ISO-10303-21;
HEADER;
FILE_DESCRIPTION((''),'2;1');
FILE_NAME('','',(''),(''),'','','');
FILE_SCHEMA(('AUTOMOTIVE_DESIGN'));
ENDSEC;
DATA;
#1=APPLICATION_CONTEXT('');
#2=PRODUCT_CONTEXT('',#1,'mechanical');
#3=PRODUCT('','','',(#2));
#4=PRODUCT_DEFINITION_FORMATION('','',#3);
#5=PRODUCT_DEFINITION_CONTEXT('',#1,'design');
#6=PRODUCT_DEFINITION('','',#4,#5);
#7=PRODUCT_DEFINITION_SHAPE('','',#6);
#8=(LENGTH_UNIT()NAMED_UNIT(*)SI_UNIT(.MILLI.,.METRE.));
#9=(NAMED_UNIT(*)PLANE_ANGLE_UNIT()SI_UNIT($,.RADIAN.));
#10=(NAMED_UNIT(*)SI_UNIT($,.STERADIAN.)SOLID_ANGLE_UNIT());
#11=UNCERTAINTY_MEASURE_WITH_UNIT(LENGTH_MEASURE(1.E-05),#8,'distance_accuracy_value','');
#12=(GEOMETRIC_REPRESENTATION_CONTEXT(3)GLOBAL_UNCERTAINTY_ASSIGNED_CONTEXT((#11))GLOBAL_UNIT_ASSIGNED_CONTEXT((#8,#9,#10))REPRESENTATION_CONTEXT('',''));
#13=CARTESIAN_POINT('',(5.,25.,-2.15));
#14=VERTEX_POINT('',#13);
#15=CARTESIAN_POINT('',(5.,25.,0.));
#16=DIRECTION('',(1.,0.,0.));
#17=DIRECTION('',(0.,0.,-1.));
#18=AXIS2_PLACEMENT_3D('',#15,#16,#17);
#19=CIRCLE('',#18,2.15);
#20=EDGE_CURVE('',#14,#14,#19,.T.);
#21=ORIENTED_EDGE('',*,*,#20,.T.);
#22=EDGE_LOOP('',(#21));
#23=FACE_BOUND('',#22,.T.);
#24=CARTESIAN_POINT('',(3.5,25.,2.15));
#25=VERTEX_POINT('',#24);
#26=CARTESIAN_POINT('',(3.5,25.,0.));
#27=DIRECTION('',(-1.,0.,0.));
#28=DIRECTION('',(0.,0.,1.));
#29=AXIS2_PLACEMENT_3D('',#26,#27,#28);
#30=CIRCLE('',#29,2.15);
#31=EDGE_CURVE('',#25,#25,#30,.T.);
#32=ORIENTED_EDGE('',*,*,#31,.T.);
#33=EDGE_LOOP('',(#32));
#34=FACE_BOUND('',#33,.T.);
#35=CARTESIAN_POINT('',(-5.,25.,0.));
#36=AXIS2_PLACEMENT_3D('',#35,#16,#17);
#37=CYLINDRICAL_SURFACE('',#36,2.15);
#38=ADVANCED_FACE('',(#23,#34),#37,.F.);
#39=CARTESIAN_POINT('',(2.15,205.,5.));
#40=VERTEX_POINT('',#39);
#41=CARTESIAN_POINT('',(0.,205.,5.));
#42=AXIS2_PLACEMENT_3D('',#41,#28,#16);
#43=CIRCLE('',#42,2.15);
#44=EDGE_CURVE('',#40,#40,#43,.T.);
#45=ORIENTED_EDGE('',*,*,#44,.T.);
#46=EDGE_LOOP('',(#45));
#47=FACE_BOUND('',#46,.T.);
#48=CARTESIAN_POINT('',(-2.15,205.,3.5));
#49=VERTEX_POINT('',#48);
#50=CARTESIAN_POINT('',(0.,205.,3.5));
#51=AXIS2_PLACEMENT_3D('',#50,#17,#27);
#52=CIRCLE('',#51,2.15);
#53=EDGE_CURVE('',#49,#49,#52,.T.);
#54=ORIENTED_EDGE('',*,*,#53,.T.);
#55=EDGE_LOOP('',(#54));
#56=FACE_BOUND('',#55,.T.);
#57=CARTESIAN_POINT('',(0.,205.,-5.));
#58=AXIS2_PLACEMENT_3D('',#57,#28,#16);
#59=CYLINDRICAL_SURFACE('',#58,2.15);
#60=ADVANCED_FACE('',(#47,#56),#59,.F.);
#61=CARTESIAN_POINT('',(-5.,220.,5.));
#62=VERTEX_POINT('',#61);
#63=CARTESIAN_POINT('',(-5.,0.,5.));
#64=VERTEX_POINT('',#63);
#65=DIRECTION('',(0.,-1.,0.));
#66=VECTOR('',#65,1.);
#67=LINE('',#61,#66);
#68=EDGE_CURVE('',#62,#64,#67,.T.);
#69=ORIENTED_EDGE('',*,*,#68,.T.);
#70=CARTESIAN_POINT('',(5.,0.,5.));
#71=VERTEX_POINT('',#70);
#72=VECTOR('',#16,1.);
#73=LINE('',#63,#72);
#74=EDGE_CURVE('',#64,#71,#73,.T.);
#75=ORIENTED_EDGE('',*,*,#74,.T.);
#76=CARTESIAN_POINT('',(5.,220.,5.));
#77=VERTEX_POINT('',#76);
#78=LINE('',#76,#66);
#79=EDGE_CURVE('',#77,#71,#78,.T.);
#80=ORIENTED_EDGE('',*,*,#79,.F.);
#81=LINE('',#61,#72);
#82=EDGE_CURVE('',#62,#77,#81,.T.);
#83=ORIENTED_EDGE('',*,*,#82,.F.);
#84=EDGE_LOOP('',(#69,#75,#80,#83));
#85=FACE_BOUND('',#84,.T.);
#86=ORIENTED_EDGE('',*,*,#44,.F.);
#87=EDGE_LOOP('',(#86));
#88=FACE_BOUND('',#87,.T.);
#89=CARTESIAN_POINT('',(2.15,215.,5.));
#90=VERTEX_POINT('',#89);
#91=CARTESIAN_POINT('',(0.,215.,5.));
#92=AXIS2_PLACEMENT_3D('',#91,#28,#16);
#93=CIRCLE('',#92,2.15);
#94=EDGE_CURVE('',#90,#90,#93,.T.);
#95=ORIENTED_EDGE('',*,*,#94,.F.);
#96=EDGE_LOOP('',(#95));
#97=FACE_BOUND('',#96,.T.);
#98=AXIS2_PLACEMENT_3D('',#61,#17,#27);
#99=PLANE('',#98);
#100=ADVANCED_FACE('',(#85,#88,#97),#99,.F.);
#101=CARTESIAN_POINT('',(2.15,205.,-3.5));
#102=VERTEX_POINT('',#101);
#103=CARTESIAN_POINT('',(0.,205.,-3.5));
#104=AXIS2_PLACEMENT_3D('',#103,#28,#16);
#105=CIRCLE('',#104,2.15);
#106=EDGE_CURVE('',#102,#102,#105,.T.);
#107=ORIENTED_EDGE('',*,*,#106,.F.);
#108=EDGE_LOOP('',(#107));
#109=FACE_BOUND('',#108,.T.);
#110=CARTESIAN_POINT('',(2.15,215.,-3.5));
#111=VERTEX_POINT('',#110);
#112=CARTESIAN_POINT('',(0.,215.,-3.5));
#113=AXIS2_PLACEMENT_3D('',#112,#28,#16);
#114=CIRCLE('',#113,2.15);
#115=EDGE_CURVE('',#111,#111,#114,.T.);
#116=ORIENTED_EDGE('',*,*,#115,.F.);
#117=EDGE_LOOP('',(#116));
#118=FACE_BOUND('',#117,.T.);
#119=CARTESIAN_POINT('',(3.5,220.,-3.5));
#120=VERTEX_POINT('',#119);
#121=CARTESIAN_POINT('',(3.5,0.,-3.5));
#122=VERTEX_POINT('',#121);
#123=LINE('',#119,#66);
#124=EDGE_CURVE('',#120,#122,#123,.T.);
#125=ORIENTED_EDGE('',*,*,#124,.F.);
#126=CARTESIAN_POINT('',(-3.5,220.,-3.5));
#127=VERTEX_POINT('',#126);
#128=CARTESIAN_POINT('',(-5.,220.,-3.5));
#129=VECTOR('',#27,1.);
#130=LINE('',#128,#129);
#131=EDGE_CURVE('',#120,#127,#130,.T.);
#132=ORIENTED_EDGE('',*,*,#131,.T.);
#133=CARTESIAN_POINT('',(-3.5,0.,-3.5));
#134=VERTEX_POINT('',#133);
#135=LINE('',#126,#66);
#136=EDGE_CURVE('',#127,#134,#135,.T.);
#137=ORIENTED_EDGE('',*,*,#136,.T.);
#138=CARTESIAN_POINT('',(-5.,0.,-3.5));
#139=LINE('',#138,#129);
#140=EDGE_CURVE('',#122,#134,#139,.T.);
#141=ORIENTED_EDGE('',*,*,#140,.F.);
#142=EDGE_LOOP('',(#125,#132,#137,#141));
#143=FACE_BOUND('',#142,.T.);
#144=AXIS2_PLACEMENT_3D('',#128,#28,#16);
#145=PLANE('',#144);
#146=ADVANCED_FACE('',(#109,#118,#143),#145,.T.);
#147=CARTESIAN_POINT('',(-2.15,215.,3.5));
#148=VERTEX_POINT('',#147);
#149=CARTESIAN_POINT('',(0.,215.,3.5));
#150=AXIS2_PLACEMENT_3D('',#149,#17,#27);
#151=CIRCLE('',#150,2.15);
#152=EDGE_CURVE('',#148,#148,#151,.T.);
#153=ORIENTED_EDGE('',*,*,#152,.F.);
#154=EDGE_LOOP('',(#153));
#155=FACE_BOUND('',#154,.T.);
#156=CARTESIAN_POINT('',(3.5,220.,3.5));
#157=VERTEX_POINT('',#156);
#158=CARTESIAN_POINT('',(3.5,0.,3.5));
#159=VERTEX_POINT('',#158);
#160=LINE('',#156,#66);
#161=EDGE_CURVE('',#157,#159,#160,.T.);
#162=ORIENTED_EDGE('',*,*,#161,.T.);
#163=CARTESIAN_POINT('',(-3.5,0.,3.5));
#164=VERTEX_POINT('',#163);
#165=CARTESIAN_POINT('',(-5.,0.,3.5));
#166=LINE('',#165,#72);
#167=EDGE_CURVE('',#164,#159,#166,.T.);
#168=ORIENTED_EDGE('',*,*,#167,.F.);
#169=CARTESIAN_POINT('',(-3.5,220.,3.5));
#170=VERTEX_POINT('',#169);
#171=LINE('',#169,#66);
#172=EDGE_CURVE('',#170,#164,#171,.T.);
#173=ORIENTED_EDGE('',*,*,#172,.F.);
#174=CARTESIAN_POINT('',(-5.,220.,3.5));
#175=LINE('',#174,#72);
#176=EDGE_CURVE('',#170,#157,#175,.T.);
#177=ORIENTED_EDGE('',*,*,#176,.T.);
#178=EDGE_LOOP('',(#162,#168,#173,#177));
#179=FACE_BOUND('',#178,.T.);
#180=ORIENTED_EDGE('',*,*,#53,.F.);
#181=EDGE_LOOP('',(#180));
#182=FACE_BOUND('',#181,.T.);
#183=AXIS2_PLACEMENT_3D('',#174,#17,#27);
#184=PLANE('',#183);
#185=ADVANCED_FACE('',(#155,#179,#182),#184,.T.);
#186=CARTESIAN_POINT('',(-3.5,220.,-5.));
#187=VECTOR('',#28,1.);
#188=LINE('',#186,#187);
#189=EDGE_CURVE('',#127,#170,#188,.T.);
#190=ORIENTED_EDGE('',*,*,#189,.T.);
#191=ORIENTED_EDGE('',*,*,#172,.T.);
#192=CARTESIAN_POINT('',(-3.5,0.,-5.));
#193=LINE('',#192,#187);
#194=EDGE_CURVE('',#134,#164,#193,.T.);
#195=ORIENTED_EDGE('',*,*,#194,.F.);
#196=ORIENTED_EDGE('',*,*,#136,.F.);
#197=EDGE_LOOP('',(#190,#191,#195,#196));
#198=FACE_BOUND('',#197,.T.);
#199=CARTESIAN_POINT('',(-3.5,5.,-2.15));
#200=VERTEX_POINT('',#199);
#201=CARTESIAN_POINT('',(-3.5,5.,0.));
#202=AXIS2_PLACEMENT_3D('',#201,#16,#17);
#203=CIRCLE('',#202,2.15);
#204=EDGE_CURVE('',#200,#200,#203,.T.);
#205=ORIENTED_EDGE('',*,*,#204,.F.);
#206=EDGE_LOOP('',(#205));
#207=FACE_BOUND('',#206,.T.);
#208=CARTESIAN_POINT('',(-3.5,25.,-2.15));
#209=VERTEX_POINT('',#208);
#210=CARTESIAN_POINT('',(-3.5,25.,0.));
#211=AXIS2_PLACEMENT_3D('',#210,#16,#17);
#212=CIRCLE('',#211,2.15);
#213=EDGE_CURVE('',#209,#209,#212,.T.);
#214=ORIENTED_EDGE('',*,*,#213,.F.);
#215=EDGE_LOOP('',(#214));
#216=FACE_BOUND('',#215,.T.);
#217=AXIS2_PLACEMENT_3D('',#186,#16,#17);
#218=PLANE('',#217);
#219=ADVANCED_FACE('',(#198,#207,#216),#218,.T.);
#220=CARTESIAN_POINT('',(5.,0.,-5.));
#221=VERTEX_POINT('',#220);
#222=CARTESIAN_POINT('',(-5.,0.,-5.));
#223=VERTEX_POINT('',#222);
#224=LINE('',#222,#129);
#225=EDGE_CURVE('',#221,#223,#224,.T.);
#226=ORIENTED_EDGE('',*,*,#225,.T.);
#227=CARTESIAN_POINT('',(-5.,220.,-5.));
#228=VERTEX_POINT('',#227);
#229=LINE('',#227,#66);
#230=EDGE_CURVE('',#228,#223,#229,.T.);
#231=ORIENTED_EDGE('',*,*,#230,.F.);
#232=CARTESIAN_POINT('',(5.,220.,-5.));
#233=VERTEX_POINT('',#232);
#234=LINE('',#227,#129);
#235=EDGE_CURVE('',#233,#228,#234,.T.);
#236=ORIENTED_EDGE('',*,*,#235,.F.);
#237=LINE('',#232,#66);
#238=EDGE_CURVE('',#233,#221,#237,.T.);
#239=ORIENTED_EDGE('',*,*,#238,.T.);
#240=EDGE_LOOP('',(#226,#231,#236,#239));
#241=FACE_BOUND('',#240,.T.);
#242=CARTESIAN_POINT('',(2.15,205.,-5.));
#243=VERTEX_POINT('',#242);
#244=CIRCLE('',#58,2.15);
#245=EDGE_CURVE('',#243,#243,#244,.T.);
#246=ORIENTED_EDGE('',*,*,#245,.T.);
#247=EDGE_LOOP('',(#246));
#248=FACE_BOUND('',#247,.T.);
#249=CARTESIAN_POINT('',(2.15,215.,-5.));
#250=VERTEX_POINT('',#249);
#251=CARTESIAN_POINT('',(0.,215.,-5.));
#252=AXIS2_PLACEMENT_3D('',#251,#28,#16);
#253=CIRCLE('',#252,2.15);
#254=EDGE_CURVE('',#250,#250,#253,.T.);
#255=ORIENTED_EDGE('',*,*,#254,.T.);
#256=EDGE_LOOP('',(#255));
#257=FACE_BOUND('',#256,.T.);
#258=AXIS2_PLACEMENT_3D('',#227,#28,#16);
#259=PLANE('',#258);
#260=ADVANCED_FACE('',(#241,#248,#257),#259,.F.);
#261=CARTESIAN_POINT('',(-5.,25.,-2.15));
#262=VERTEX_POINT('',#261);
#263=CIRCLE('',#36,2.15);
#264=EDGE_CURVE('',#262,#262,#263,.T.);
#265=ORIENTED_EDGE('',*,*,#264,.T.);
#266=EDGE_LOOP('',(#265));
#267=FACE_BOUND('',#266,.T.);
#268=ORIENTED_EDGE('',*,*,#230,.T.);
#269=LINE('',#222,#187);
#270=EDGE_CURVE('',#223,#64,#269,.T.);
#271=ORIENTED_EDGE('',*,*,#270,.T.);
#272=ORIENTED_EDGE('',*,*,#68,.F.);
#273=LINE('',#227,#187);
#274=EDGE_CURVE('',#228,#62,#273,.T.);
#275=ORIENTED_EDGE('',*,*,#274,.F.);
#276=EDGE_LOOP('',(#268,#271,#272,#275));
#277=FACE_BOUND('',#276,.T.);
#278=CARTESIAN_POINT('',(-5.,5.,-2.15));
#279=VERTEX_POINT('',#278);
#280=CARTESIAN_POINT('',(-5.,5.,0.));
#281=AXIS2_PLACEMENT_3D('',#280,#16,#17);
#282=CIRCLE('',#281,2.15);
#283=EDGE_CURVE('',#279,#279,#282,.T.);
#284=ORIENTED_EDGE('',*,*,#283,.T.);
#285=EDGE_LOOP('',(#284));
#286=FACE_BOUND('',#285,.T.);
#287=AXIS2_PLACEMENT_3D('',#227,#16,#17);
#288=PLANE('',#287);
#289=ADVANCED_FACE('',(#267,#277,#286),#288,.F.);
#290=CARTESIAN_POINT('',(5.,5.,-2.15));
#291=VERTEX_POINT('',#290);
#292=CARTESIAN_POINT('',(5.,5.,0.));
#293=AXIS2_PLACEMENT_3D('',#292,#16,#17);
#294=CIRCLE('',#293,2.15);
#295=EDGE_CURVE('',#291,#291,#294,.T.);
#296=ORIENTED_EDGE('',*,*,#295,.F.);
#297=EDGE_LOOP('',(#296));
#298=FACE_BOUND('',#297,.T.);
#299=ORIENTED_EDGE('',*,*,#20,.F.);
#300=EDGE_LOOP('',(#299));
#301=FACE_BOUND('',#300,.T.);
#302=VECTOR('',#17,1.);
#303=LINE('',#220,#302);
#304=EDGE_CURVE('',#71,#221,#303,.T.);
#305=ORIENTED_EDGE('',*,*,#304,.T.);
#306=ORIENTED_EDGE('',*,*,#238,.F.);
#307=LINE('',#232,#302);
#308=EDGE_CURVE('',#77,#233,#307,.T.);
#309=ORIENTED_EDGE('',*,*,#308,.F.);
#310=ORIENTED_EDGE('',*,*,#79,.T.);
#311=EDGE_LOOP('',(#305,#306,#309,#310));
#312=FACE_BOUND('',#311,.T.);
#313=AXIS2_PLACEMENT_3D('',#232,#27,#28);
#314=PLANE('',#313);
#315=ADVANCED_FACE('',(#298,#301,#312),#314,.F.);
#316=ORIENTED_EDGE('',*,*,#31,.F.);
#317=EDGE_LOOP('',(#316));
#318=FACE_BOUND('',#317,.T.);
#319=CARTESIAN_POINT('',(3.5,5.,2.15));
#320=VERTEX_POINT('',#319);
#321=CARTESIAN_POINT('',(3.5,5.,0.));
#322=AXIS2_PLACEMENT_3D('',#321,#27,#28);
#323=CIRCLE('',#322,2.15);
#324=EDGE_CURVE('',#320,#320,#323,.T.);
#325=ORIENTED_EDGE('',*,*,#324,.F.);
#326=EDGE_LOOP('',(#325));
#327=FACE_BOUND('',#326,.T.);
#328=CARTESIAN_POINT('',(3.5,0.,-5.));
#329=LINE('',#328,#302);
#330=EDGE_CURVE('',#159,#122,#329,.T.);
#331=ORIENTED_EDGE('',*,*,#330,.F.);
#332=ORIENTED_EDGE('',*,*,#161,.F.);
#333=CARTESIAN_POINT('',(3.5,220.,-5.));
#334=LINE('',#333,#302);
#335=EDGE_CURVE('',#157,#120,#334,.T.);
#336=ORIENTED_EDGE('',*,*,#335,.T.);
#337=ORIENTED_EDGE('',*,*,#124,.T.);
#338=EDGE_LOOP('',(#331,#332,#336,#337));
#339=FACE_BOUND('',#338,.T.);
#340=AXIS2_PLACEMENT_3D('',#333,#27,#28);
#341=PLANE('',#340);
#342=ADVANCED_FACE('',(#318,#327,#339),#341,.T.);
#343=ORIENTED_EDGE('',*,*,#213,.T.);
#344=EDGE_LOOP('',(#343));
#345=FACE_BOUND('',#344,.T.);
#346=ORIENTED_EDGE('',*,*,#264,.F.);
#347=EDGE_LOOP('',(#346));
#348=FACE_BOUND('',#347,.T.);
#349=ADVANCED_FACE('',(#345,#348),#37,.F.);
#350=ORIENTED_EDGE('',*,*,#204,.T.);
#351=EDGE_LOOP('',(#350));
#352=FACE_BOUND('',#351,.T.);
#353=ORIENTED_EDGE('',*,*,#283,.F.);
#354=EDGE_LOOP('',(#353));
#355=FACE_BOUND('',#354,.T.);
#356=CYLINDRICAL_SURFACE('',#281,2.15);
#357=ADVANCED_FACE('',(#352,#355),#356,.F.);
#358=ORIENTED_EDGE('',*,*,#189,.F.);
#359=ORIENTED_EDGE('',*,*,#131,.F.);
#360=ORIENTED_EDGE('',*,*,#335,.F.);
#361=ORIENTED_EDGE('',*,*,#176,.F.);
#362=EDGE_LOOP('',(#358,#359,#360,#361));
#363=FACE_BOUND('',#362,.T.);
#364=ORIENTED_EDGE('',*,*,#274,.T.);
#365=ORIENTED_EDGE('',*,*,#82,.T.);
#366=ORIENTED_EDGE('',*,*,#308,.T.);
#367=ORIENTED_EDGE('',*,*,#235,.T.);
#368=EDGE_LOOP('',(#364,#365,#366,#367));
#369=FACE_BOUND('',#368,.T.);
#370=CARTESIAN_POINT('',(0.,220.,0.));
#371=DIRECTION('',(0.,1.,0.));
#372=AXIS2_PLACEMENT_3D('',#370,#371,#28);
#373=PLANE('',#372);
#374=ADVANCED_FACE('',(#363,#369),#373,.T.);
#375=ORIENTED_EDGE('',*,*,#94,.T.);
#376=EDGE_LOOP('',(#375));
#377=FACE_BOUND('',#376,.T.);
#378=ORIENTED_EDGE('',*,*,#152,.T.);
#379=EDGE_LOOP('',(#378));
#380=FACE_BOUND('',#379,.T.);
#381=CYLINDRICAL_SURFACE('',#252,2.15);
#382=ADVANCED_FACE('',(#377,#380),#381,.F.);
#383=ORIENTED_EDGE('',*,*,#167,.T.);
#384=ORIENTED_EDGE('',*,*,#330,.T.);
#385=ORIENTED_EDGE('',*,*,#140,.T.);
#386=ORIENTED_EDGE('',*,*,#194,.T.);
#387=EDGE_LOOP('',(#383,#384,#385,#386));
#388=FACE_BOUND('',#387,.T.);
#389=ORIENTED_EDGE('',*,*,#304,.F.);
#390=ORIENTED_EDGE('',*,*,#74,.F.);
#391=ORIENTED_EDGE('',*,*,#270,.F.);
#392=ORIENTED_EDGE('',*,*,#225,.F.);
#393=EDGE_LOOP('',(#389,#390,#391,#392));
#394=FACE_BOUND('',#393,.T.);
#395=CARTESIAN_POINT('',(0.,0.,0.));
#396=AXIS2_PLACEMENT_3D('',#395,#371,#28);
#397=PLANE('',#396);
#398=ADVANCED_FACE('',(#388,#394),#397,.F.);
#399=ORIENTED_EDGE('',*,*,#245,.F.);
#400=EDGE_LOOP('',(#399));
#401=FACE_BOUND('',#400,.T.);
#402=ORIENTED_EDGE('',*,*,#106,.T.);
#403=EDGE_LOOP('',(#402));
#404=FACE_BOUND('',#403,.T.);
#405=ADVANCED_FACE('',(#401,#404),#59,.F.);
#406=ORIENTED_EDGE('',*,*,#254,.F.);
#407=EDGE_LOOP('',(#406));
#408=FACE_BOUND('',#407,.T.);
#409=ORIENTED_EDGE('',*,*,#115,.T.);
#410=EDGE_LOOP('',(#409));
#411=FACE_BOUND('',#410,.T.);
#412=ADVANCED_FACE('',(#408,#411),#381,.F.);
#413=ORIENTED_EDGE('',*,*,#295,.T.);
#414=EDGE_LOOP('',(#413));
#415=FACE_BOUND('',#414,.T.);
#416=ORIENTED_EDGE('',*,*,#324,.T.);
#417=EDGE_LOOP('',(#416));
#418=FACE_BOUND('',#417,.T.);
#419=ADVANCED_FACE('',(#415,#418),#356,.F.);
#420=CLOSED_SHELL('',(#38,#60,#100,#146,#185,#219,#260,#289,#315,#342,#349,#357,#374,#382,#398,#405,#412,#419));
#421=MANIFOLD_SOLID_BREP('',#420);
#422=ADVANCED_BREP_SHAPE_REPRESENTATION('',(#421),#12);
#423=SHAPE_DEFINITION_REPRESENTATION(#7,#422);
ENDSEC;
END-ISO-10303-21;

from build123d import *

# Parameters (mm, degrees)
SKETCH_1_W          = 10
SKETCH_1_H          = 10
SKETCH_1_W_2        = 7
SKETCH_1_H_2        = 7
EXTRUDE_1_DEPTH     = 220
SKETCH_2_R          = 2.15
CUT_EXTRUDE_1_DEPTH = 221.283907719
SKETCH_3_R          = 2.15
CUT_EXTRUDE_2_DEPTH = 221.283907719


with BuildPart() as part:
    # ｽｹｯﾁ1 → 押し出し-薄板1 (new body)
    with BuildSketch(Plane(origin=(0, 0, 0), x_dir=(1, 0, 0), z_dir=(0, 1, 0))):
        Rectangle(SKETCH_1_W, SKETCH_1_H)
        Rectangle(SKETCH_1_W_2, SKETCH_1_H_2, mode=Mode.SUBTRACT)
    extrude(amount=EXTRUDE_1_DEPTH)

    # ｽｹｯﾁ2 → ｶｯﾄ - 押し出し1 (cut, through all)
    with BuildSketch(Plane.XY.offset(5)):
        with Locations((0, 205)):
            Circle(SKETCH_2_R)
        with Locations((0, 215)):
            Circle(SKETCH_2_R)
    extrude(amount=-CUT_EXTRUDE_1_DEPTH, mode=Mode.SUBTRACT)

    # ｽｹｯﾁ3 → ｶｯﾄ - 押し出し2 (cut, through all)
    with BuildSketch(Plane(origin=(5, 0, 0), x_dir=(0, 0, -1), z_dir=(1, 0, 0))):
        with Locations((0, 5)):
            Circle(SKETCH_3_R)
        with Locations((0, 25)):
            Circle(SKETCH_3_R)
    extrude(amount=-CUT_EXTRUDE_2_DEPTH, mode=Mode.SUBTRACT)


solid = part.part
